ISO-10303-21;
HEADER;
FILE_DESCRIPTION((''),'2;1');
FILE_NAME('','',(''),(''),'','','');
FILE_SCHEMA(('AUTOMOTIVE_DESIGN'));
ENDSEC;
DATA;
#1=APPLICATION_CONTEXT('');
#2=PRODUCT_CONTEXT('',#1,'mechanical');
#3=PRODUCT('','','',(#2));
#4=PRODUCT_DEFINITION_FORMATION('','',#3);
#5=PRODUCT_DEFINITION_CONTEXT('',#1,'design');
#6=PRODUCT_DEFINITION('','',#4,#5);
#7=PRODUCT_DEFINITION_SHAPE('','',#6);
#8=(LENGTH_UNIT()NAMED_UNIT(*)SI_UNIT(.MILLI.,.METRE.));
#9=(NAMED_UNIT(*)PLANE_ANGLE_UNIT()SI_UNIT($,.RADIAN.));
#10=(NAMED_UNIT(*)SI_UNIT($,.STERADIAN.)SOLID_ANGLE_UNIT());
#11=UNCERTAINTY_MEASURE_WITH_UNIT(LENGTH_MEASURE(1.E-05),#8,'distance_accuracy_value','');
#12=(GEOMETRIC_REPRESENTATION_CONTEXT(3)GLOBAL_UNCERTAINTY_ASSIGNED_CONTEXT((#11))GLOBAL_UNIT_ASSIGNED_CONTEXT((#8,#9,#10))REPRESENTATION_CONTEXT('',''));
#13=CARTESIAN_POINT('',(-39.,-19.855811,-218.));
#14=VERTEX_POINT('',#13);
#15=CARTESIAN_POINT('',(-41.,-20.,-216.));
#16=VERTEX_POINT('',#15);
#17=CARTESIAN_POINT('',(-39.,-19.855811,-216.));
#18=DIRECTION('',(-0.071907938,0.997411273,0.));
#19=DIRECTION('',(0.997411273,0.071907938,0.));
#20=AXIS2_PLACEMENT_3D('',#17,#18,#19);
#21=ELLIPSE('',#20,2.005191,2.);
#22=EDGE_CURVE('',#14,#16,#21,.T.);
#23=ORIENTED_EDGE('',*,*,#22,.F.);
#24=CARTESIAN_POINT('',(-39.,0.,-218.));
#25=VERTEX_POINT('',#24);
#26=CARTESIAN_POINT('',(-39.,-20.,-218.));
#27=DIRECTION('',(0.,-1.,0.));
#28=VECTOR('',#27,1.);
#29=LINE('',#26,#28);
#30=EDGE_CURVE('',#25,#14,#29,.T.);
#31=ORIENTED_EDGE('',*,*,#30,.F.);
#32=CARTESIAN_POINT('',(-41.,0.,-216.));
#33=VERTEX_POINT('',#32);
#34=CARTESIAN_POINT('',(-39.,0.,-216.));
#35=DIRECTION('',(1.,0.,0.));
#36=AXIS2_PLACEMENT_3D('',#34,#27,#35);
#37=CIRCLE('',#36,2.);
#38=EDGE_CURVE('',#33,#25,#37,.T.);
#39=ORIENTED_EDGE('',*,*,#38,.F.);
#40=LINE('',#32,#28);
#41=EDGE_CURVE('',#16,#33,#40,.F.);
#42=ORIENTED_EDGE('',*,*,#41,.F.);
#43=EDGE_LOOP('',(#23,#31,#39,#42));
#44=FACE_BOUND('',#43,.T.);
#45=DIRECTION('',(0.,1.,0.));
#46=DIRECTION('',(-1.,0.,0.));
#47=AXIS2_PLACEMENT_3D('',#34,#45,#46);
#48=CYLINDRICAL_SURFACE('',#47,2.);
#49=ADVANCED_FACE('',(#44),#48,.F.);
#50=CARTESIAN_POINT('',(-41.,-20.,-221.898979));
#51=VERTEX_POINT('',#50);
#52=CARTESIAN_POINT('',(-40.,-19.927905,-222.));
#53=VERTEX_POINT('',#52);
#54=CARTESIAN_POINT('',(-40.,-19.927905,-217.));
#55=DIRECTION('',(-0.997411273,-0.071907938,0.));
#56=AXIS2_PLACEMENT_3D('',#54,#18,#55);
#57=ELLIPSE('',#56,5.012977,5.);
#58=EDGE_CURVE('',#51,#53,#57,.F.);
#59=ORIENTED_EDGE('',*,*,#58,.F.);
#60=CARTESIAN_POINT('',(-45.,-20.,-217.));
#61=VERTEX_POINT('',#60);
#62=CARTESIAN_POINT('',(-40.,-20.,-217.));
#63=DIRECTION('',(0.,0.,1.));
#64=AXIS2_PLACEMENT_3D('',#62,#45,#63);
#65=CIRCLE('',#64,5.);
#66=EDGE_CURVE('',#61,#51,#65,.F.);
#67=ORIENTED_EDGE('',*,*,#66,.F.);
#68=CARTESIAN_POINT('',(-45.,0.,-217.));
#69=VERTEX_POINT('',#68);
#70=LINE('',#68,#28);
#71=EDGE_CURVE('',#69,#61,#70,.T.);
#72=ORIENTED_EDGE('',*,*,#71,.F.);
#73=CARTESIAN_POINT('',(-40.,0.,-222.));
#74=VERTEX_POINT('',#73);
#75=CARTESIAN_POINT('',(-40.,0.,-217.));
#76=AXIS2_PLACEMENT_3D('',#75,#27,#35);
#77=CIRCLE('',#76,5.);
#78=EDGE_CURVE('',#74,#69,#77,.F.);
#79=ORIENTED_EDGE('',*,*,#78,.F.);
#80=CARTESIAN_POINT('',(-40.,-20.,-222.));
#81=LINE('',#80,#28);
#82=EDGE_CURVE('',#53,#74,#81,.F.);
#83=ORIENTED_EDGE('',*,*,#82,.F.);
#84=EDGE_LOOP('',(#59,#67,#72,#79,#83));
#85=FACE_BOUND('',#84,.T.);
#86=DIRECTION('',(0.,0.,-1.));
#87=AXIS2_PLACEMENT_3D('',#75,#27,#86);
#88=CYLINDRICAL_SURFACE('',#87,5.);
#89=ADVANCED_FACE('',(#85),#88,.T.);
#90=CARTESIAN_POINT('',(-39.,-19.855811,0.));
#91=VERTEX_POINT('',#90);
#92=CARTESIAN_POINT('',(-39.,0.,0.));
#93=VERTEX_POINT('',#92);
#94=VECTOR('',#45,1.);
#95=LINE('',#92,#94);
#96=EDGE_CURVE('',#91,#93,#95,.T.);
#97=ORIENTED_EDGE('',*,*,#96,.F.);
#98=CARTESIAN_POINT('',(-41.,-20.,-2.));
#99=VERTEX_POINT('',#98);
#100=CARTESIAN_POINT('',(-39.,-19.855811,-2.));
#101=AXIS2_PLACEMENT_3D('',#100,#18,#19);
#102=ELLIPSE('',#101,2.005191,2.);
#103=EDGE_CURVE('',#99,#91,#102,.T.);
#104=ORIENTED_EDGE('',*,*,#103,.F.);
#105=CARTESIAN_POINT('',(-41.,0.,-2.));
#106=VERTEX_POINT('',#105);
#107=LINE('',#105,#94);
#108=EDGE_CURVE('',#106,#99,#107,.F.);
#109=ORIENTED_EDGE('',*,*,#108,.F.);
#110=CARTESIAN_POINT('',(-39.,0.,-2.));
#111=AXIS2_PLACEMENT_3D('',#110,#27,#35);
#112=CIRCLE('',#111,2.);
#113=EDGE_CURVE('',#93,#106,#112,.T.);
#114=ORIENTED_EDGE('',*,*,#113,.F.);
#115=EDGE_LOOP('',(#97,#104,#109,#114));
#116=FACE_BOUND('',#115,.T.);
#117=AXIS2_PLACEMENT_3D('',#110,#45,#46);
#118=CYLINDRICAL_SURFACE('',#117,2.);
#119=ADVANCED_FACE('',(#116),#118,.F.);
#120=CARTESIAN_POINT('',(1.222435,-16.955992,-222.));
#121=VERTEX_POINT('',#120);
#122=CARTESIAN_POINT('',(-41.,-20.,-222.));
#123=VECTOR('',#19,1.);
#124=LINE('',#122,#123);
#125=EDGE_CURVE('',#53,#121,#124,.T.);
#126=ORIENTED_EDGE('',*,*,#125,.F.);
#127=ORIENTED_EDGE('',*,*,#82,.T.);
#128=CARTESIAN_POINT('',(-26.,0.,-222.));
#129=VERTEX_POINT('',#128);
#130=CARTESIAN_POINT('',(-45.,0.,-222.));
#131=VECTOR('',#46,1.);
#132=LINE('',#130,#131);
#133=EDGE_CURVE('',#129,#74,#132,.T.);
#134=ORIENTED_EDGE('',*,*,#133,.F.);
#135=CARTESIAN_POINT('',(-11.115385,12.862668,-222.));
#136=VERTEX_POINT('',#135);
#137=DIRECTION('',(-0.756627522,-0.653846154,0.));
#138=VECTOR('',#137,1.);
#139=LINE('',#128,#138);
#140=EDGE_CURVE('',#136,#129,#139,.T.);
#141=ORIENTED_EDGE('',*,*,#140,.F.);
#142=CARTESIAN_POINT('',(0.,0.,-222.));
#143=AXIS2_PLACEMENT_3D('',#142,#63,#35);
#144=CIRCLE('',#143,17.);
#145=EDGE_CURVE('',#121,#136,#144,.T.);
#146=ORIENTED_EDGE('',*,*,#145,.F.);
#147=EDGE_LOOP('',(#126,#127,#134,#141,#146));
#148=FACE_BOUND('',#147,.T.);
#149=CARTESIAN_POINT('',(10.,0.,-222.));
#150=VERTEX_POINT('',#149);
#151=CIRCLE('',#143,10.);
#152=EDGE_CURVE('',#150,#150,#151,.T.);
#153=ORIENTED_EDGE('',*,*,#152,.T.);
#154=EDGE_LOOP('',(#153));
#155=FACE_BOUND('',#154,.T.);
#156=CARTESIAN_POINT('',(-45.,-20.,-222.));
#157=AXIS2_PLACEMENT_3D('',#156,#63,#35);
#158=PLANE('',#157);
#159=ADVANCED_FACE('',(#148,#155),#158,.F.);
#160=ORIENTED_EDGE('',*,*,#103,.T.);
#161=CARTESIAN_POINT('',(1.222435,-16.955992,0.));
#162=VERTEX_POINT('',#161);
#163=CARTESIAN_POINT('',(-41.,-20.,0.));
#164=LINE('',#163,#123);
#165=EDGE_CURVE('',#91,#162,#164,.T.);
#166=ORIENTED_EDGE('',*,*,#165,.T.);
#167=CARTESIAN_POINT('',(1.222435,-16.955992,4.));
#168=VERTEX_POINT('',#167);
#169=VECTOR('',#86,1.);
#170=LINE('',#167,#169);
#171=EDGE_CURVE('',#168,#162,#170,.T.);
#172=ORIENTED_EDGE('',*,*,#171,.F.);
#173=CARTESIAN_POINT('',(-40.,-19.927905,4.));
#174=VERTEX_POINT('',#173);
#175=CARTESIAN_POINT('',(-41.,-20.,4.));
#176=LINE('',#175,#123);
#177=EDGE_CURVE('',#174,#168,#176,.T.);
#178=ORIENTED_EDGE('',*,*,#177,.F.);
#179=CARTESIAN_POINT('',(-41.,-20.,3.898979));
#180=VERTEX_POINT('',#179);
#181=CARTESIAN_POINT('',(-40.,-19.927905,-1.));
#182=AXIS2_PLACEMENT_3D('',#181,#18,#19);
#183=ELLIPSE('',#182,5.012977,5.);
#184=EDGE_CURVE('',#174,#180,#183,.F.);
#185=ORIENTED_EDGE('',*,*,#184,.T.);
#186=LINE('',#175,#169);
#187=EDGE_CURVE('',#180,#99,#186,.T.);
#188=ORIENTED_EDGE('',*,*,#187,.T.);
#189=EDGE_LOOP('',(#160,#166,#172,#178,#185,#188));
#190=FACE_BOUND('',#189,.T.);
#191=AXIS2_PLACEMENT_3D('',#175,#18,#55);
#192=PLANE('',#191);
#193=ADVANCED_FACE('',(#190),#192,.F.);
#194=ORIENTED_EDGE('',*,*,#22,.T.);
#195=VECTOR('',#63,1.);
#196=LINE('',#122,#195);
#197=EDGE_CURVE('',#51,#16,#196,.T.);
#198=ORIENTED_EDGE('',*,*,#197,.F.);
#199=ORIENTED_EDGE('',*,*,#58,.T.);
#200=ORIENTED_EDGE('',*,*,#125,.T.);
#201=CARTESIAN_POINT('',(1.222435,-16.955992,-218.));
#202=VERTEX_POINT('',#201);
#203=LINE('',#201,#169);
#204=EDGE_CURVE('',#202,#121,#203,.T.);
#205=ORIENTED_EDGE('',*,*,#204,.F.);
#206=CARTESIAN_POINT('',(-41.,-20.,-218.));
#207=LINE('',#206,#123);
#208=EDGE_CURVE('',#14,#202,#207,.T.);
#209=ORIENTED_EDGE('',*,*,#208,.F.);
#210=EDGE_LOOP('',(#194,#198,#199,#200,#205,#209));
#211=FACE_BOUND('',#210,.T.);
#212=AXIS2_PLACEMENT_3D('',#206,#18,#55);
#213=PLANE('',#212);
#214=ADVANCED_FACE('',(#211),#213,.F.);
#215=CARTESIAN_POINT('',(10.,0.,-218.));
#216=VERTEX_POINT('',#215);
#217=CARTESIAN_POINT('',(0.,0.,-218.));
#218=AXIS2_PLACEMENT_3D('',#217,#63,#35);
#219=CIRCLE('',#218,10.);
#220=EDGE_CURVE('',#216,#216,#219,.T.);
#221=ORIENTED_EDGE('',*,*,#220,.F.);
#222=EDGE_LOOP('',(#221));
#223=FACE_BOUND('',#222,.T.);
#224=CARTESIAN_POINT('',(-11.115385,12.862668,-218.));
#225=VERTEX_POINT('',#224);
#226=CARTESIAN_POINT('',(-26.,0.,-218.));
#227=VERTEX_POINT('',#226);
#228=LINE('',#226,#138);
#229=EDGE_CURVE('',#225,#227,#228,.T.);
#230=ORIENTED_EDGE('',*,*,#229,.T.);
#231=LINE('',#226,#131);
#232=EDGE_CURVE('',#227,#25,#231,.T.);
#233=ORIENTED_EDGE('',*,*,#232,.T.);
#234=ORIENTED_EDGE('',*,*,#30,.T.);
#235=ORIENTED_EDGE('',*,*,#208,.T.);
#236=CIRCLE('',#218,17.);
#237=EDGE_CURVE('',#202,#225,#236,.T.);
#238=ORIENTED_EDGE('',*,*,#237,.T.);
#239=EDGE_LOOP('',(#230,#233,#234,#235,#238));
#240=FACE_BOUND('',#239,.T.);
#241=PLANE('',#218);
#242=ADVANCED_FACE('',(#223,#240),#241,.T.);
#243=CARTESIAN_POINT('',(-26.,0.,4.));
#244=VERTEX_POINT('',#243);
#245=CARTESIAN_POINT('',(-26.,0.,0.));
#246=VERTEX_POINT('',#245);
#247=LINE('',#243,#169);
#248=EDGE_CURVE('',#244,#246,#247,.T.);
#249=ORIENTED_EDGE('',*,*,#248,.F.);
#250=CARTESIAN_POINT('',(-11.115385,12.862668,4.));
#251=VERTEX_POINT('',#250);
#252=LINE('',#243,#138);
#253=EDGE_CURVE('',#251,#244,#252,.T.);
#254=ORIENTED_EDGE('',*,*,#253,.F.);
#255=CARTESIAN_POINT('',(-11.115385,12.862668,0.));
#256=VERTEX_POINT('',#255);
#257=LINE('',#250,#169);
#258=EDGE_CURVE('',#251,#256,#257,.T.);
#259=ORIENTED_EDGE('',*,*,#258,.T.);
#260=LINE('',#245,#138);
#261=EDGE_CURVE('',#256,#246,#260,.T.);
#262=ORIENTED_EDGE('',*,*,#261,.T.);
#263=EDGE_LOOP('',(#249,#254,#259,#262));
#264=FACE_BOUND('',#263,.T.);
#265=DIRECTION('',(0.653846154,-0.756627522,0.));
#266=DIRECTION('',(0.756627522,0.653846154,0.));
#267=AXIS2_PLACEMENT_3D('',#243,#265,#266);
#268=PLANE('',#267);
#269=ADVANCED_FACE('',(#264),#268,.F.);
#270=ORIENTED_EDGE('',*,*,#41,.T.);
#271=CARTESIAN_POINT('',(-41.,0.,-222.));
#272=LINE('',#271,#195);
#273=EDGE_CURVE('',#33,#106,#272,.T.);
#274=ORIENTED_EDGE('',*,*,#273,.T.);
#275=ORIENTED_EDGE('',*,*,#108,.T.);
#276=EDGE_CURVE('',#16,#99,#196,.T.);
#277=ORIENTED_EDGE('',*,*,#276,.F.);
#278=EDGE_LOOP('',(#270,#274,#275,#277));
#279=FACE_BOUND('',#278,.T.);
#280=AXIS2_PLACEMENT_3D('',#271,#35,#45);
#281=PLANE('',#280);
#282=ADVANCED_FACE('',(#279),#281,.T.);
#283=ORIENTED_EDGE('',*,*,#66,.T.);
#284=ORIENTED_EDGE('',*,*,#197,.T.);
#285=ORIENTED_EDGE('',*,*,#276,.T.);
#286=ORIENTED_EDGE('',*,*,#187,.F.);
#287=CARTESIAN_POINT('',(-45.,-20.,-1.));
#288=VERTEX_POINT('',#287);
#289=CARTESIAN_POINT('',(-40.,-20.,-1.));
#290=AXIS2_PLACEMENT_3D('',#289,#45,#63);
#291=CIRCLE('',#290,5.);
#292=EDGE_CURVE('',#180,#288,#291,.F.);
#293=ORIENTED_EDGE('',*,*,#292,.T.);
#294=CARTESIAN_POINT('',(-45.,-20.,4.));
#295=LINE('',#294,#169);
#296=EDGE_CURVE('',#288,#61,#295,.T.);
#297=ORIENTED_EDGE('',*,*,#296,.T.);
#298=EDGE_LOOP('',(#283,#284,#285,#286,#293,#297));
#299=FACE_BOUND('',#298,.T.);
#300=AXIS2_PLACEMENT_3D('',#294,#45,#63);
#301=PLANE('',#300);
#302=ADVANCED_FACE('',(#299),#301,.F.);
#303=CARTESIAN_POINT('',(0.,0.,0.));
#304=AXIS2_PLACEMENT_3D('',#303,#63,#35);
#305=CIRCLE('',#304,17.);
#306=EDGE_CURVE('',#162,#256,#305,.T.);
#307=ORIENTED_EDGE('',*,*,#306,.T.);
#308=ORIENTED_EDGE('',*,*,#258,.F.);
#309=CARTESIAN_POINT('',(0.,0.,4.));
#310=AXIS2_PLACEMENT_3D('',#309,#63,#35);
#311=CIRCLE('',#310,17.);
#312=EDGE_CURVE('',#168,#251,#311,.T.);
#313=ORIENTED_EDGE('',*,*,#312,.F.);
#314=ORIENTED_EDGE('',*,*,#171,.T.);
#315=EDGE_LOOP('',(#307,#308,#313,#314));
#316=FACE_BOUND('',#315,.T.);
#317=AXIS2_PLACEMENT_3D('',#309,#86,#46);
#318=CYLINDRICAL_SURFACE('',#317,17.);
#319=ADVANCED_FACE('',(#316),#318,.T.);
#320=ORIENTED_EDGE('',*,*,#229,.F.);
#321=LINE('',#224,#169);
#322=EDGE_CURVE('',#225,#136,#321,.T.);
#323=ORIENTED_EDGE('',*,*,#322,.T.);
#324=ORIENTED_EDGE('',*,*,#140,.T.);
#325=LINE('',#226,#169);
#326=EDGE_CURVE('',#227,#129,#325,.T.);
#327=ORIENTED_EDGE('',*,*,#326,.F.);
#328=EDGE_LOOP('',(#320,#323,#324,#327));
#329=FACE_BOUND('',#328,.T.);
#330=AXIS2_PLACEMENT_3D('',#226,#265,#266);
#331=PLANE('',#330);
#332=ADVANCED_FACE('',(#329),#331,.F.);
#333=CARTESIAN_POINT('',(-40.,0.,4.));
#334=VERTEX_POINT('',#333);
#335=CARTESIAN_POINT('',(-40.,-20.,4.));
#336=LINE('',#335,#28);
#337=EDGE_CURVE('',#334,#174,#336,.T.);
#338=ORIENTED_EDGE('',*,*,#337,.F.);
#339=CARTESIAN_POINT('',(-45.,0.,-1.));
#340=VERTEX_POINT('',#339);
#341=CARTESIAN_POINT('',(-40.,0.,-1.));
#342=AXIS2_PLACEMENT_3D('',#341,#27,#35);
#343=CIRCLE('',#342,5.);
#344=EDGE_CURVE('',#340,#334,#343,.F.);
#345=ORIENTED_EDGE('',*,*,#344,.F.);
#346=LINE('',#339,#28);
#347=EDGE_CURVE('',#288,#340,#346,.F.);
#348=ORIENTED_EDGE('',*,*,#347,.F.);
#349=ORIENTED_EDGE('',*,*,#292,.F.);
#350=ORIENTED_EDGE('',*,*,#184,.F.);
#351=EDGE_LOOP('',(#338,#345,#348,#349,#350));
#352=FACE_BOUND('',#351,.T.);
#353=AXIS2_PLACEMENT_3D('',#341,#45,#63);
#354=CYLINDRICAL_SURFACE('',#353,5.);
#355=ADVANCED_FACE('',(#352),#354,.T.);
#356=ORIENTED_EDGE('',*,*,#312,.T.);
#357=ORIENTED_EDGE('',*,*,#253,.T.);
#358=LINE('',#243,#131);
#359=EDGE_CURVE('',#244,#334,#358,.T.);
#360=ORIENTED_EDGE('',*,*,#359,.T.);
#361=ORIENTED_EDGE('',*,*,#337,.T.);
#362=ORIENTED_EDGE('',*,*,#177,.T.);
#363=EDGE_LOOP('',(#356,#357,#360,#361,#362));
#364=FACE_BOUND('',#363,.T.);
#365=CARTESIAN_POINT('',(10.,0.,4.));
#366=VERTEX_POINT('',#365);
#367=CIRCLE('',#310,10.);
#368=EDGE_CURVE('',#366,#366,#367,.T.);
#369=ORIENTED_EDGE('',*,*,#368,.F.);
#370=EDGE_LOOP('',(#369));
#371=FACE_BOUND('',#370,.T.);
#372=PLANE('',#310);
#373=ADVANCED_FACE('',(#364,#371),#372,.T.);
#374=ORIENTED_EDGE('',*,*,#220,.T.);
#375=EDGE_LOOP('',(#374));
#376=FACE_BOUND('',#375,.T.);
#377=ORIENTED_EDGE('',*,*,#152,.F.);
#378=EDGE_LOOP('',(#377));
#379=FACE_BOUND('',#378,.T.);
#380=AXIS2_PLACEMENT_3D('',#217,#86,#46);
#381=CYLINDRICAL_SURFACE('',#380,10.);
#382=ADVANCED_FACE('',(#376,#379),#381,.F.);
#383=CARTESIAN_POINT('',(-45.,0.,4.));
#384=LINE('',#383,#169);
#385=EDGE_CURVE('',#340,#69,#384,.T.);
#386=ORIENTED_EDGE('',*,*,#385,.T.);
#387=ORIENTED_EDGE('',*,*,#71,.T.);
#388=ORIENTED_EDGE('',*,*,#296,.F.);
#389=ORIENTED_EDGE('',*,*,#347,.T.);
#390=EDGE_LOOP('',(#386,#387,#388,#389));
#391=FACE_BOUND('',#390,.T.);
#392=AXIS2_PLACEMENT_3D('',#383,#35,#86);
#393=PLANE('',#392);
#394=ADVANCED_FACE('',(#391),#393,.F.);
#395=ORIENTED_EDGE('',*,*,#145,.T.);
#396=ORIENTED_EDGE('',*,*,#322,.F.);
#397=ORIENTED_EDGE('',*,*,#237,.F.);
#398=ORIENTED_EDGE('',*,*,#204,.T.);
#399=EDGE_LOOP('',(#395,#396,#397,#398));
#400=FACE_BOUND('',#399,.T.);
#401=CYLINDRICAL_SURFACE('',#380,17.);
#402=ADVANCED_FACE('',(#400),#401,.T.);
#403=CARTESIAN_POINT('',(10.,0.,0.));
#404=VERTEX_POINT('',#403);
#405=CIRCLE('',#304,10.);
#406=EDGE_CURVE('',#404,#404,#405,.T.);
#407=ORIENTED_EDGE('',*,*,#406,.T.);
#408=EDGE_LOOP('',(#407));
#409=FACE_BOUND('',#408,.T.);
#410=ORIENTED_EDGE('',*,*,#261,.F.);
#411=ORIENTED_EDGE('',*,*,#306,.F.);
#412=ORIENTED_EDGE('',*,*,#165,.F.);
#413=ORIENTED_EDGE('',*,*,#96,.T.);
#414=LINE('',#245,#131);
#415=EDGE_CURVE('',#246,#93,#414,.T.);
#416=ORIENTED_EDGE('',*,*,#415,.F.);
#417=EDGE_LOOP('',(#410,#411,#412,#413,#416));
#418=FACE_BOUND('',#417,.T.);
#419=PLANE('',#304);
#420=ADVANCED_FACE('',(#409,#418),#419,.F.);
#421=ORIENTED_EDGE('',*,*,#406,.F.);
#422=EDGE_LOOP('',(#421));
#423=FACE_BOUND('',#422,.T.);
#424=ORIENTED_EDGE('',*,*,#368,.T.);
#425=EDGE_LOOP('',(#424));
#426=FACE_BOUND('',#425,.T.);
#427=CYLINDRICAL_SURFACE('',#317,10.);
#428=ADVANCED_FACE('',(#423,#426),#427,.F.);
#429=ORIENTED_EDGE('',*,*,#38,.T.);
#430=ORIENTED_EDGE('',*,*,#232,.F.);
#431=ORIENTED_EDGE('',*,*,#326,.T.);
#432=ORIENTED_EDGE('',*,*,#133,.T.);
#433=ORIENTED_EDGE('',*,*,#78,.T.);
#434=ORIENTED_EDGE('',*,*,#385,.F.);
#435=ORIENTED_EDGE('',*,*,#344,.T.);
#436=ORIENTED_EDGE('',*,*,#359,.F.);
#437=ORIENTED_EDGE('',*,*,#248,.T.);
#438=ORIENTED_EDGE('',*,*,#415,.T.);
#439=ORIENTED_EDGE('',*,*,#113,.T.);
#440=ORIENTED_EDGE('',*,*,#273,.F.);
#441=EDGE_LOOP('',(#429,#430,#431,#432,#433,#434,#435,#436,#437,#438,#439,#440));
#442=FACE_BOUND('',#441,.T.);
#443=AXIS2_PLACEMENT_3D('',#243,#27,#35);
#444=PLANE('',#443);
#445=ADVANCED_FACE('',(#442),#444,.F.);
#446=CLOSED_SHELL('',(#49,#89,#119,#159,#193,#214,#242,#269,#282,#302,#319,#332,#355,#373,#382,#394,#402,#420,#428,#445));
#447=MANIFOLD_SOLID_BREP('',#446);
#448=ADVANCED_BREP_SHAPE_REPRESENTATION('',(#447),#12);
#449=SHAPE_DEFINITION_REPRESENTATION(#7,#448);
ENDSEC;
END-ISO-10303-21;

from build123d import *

# Parameters (mm, degrees)
SCHIZZO1_R             = 10
ESTRUSIONE1_DEPTH      = 4
SCHIZZO2_W             = 4
SCHIZZO2_H             = 20
ESTRUSIONE2_DEPTH      = 226
RIPETIZIONE_A_L1_COUNT = 2
RIPETIZIONE_A_L1_PITCH = 222
RACCORDO1_R            = 5
RACCORDO2_R            = 2


with BuildPart() as part:
    # Schizzo1 → Estrusione1 (new body)
    with BuildSketch(Plane.XY):
        with BuildLine():
            Line((-26, 0), (-11.115384615, 12.862667875))
            ThreePointArc((-11.115384615, 12.862667875), (15.70846037, 6.499559431), (1.222434951, -16.955991649))
            Line((1.222434951, -16.955991649), (-41, -20))
            Line((-41, -20), (-45, -20))
            Line((-45, -20), (-45, 0))
            Line((-45, 0), (-26, 0))
        make_face()
        Circle(SCHIZZO1_R, mode=Mode.SUBTRACT)
    estrusione1 = extrude(amount=ESTRUSIONE1_DEPTH)

    # Schizzo2 → Estrusione2 (add)
    with BuildSketch(Plane.XY.offset(4)):
        with Locations((-43, -10)):
            Rectangle(SCHIZZO2_W, SCHIZZO2_H)
    extrude(amount=-ESTRUSIONE2_DEPTH)

    # Ripetizione a L1: Estrusione1 ×2
    with Locations(*[(0, 0, -i * RIPETIZIONE_A_L1_PITCH) for i in range(1, RIPETIZIONE_A_L1_COUNT)]):
        add(estrusione1)

    # Raccordo1
    raccordo1_edges = [part.edges().sort_by_distance(p)[0] for p in [
        (-45, -10, -222),
        (-45, -10, 4),
    ]]
    fillet(raccordo1_edges, radius=RACCORDO1_R)

    # Raccordo2
    raccordo2_edges = [part.edges().sort_by_distance(p)[0] for p in [
        (-41, -10, 0),
        (-41, -10, -218),
    ]]
    fillet(raccordo2_edges, radius=RACCORDO2_R)


solid = part.part
